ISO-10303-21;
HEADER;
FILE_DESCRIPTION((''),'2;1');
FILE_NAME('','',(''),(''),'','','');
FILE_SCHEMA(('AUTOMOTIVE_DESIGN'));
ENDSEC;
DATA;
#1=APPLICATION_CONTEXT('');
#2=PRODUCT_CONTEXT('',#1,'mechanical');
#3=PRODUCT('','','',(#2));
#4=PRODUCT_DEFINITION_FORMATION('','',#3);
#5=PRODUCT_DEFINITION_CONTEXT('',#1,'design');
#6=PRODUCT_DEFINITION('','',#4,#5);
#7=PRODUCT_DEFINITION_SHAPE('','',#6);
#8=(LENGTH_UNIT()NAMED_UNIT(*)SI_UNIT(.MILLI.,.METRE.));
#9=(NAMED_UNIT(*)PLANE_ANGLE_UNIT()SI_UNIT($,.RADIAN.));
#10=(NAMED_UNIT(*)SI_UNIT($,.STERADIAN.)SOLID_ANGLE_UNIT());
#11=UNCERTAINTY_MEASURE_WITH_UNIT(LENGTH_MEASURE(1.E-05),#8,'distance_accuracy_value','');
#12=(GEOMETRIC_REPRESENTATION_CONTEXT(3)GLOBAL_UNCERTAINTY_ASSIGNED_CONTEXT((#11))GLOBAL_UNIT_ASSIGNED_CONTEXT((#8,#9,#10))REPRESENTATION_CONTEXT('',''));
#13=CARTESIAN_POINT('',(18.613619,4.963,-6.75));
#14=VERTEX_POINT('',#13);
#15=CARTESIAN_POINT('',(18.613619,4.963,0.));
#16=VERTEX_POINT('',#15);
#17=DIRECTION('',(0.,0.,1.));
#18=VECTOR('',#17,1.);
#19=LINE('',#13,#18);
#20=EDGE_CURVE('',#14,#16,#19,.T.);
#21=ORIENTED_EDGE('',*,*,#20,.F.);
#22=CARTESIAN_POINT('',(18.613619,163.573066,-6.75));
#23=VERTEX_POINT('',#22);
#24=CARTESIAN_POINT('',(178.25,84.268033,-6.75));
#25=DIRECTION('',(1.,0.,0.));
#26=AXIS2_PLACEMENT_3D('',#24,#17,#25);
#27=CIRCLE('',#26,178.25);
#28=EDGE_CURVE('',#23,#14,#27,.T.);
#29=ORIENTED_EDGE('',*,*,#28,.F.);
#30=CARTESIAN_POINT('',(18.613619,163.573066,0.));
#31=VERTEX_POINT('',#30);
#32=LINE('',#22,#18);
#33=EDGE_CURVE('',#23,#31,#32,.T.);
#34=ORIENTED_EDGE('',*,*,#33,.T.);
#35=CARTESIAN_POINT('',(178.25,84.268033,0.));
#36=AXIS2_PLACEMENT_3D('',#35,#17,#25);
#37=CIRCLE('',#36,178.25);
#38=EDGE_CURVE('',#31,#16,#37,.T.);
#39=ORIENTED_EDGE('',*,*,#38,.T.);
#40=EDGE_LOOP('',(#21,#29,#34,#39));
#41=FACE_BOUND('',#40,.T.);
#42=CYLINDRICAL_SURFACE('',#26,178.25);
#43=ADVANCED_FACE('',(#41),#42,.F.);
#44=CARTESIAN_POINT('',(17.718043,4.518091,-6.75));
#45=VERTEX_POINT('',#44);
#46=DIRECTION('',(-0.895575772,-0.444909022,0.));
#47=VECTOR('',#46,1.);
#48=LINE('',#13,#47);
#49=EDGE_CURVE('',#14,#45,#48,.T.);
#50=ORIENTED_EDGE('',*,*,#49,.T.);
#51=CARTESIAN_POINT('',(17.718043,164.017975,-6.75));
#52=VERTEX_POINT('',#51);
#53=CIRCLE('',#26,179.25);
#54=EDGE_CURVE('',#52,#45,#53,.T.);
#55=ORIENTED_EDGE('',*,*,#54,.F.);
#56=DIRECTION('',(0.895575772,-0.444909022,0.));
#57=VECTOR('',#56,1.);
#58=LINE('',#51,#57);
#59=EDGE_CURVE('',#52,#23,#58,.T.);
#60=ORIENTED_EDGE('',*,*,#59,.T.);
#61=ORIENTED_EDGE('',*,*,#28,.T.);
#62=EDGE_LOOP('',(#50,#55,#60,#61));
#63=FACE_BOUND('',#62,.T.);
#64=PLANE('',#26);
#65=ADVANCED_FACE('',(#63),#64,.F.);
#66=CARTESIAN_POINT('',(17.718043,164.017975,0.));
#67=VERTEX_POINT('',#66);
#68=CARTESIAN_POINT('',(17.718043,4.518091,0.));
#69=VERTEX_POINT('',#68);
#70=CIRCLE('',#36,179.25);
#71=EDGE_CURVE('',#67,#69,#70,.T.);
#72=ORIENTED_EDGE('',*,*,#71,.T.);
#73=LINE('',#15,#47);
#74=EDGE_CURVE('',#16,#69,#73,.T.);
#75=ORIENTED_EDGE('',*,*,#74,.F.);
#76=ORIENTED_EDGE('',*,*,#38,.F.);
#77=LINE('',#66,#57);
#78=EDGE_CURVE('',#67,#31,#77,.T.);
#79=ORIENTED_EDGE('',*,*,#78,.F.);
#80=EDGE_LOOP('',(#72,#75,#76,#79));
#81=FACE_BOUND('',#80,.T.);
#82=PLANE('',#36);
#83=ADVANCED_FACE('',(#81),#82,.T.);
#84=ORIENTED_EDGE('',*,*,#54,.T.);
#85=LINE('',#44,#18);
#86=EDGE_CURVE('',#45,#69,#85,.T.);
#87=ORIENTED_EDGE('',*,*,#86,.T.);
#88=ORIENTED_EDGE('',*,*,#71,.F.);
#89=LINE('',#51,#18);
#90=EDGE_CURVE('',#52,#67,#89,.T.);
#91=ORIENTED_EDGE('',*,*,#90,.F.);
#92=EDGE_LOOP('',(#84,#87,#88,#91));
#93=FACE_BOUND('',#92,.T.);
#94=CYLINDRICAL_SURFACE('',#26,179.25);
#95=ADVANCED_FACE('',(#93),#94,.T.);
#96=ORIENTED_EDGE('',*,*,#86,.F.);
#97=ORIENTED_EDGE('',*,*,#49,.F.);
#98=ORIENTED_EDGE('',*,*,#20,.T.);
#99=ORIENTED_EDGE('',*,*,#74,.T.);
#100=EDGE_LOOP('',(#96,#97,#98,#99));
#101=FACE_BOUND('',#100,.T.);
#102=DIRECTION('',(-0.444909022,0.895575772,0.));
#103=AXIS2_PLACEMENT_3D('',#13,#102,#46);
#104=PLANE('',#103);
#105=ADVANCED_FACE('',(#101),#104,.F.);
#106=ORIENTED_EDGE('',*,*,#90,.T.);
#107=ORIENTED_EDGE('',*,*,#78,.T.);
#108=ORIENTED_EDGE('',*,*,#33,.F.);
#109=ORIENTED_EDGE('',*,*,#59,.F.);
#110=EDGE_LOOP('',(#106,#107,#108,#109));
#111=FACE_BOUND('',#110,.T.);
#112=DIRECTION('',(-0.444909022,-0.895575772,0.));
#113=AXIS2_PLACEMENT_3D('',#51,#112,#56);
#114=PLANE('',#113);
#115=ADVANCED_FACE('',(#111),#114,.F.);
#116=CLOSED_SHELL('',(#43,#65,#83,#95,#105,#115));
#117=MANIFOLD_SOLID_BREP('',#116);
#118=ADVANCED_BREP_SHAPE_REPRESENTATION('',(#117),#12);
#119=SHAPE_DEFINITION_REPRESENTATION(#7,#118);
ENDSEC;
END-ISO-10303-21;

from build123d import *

# Parameters (mm, degrees)
EXTRUDE_THIN1_DEPTH = 6.75


with BuildPart() as part:
    # Sketch1 → Extrude-Thin1 (new body)
    with BuildSketch(Plane.XY):
        with BuildLine():
            ThreePointArc((18.613618726, 163.573065778), (0, 84.268032687), (18.613618726, 4.962999596))
            Line((18.613618726, 4.962999596), (17.718042954, 4.518090574))
            ThreePointArc((17.718042954, 4.518090574), (-1, 84.268032687), (17.718042954, 164.017974799))
            Line((17.718042954, 164.017974799), (18.613618726, 163.573065778))
        make_face()
    extrude(amount=-EXTRUDE_THIN1_DEPTH)


solid = part.part
